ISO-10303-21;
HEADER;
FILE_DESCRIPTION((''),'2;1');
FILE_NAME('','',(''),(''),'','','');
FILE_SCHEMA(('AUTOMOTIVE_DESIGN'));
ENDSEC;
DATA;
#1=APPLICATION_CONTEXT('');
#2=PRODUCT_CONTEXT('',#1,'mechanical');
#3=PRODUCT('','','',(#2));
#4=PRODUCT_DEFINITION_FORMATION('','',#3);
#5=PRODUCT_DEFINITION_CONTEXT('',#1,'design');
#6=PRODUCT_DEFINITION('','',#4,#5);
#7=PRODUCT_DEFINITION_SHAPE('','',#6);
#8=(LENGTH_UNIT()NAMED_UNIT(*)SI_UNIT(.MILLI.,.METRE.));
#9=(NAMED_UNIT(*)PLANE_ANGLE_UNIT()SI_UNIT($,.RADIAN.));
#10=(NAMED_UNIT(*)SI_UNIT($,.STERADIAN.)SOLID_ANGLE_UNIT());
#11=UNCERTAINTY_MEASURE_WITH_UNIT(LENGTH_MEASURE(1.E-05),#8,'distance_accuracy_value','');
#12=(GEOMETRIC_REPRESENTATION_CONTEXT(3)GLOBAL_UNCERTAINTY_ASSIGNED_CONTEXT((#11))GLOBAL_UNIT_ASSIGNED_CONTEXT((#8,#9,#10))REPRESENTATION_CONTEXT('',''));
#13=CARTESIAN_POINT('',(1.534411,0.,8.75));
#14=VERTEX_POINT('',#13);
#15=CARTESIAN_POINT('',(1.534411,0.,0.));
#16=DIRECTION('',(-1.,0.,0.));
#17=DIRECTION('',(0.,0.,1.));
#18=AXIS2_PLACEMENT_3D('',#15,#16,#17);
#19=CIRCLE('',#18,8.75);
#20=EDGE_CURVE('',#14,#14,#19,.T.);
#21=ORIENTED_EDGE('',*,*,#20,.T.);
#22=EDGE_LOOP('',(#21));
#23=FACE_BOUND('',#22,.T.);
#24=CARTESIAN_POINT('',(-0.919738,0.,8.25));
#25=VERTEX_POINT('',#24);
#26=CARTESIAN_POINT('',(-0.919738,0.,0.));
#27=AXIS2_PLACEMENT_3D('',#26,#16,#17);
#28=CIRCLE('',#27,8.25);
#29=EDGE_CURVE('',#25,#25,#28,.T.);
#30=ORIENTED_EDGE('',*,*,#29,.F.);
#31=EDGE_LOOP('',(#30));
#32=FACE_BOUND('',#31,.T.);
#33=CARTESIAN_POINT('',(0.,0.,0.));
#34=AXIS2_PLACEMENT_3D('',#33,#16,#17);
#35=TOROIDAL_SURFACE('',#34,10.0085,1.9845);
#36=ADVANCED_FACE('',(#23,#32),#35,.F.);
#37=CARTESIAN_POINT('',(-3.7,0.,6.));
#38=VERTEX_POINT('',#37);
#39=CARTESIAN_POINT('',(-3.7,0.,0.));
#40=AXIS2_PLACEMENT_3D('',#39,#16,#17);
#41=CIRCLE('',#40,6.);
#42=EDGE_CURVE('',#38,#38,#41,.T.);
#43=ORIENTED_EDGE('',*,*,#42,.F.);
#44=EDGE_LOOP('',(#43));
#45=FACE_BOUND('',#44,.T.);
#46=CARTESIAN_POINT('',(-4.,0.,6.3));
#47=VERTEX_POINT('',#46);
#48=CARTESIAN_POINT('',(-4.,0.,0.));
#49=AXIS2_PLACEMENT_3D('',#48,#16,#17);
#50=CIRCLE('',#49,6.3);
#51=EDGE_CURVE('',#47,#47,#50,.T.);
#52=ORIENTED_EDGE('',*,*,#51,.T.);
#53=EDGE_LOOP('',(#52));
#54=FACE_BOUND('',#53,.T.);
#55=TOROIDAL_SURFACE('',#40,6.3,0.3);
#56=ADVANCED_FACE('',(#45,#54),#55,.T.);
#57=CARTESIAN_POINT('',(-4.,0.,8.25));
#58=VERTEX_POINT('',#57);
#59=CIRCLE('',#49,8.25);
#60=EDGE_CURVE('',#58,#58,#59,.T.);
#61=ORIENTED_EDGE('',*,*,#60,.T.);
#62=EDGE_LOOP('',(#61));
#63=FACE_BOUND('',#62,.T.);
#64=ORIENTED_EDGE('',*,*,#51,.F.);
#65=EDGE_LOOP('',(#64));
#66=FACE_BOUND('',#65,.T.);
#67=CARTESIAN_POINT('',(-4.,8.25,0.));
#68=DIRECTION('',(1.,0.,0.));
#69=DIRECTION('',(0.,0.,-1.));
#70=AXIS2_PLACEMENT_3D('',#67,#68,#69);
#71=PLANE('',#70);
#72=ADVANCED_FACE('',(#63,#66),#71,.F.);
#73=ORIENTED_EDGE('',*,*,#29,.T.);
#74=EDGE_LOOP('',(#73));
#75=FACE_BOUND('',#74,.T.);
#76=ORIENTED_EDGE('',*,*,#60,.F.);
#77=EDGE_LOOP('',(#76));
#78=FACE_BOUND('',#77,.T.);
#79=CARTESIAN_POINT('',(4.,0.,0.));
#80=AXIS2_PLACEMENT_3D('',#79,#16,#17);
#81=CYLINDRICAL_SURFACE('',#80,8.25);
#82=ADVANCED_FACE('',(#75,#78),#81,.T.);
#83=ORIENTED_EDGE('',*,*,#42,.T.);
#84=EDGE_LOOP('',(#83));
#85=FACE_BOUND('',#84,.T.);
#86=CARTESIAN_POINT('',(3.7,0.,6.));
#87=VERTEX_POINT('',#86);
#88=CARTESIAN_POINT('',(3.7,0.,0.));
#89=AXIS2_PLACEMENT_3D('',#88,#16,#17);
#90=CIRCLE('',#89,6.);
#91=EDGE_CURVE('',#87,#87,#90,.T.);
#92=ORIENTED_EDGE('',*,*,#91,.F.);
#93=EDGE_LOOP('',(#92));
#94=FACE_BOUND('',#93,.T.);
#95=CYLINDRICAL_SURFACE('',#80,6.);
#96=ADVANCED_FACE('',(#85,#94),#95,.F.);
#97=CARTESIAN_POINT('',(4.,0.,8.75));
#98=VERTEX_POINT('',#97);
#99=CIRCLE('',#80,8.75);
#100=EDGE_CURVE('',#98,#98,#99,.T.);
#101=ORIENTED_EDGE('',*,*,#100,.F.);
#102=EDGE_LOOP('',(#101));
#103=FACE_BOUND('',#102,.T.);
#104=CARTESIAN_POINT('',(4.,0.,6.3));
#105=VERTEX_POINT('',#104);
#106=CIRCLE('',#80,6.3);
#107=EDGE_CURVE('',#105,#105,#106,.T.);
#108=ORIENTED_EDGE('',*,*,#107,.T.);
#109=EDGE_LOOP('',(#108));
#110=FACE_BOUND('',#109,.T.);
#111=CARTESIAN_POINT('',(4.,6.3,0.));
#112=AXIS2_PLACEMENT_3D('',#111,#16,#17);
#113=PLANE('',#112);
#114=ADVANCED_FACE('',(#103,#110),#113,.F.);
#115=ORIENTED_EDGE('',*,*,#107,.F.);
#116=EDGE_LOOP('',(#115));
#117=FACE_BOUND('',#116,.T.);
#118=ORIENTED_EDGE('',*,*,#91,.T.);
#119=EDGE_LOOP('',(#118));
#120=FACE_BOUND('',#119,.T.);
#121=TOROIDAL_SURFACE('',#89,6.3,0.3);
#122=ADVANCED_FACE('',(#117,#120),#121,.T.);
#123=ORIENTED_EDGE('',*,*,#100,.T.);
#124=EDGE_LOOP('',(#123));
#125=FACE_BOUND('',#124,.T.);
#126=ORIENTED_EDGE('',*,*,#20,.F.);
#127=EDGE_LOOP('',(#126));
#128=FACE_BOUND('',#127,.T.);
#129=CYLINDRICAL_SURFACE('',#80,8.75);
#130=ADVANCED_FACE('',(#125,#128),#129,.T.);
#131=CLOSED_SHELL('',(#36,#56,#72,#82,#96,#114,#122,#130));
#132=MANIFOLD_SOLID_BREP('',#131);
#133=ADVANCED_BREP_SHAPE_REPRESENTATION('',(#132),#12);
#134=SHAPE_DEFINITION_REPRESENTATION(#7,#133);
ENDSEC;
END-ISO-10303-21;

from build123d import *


with BuildPart() as part:
    # Sketch1 → Revolve1 (revolve)
    with BuildSketch(Plane.XY, mode=Mode.PRIVATE) as revolve1_sk:
        with BuildLine():
            Line((-3.7, 6), (3.7, 6))
            ThreePointArc((3.7, 6), (3.912132034, 6.087867966), (4, 6.3))
            Line((4, 6.3), (4, 8.75))
            Line((4, 8.75), (1.534411288, 8.75))
            ThreePointArc((1.534411288, 8.75), (0.396176489, 8.063947496), (-0.919738006, 8.25))
            Line((-0.919738006, 8.25), (-4, 8.25))
            Line((-4, 8.25), (-4, 6.3))
            ThreePointArc((-4, 6.3), (-3.912132034, 6.087867966), (-3.7, 6))
        make_face()
    revolve(revolve1_sk.sketch.rotate(Axis((4, 0, 0), (-1, 0, 0)), 270), axis=Axis((4, 0, 0), (-1, 0, 0)))


solid = part.part
